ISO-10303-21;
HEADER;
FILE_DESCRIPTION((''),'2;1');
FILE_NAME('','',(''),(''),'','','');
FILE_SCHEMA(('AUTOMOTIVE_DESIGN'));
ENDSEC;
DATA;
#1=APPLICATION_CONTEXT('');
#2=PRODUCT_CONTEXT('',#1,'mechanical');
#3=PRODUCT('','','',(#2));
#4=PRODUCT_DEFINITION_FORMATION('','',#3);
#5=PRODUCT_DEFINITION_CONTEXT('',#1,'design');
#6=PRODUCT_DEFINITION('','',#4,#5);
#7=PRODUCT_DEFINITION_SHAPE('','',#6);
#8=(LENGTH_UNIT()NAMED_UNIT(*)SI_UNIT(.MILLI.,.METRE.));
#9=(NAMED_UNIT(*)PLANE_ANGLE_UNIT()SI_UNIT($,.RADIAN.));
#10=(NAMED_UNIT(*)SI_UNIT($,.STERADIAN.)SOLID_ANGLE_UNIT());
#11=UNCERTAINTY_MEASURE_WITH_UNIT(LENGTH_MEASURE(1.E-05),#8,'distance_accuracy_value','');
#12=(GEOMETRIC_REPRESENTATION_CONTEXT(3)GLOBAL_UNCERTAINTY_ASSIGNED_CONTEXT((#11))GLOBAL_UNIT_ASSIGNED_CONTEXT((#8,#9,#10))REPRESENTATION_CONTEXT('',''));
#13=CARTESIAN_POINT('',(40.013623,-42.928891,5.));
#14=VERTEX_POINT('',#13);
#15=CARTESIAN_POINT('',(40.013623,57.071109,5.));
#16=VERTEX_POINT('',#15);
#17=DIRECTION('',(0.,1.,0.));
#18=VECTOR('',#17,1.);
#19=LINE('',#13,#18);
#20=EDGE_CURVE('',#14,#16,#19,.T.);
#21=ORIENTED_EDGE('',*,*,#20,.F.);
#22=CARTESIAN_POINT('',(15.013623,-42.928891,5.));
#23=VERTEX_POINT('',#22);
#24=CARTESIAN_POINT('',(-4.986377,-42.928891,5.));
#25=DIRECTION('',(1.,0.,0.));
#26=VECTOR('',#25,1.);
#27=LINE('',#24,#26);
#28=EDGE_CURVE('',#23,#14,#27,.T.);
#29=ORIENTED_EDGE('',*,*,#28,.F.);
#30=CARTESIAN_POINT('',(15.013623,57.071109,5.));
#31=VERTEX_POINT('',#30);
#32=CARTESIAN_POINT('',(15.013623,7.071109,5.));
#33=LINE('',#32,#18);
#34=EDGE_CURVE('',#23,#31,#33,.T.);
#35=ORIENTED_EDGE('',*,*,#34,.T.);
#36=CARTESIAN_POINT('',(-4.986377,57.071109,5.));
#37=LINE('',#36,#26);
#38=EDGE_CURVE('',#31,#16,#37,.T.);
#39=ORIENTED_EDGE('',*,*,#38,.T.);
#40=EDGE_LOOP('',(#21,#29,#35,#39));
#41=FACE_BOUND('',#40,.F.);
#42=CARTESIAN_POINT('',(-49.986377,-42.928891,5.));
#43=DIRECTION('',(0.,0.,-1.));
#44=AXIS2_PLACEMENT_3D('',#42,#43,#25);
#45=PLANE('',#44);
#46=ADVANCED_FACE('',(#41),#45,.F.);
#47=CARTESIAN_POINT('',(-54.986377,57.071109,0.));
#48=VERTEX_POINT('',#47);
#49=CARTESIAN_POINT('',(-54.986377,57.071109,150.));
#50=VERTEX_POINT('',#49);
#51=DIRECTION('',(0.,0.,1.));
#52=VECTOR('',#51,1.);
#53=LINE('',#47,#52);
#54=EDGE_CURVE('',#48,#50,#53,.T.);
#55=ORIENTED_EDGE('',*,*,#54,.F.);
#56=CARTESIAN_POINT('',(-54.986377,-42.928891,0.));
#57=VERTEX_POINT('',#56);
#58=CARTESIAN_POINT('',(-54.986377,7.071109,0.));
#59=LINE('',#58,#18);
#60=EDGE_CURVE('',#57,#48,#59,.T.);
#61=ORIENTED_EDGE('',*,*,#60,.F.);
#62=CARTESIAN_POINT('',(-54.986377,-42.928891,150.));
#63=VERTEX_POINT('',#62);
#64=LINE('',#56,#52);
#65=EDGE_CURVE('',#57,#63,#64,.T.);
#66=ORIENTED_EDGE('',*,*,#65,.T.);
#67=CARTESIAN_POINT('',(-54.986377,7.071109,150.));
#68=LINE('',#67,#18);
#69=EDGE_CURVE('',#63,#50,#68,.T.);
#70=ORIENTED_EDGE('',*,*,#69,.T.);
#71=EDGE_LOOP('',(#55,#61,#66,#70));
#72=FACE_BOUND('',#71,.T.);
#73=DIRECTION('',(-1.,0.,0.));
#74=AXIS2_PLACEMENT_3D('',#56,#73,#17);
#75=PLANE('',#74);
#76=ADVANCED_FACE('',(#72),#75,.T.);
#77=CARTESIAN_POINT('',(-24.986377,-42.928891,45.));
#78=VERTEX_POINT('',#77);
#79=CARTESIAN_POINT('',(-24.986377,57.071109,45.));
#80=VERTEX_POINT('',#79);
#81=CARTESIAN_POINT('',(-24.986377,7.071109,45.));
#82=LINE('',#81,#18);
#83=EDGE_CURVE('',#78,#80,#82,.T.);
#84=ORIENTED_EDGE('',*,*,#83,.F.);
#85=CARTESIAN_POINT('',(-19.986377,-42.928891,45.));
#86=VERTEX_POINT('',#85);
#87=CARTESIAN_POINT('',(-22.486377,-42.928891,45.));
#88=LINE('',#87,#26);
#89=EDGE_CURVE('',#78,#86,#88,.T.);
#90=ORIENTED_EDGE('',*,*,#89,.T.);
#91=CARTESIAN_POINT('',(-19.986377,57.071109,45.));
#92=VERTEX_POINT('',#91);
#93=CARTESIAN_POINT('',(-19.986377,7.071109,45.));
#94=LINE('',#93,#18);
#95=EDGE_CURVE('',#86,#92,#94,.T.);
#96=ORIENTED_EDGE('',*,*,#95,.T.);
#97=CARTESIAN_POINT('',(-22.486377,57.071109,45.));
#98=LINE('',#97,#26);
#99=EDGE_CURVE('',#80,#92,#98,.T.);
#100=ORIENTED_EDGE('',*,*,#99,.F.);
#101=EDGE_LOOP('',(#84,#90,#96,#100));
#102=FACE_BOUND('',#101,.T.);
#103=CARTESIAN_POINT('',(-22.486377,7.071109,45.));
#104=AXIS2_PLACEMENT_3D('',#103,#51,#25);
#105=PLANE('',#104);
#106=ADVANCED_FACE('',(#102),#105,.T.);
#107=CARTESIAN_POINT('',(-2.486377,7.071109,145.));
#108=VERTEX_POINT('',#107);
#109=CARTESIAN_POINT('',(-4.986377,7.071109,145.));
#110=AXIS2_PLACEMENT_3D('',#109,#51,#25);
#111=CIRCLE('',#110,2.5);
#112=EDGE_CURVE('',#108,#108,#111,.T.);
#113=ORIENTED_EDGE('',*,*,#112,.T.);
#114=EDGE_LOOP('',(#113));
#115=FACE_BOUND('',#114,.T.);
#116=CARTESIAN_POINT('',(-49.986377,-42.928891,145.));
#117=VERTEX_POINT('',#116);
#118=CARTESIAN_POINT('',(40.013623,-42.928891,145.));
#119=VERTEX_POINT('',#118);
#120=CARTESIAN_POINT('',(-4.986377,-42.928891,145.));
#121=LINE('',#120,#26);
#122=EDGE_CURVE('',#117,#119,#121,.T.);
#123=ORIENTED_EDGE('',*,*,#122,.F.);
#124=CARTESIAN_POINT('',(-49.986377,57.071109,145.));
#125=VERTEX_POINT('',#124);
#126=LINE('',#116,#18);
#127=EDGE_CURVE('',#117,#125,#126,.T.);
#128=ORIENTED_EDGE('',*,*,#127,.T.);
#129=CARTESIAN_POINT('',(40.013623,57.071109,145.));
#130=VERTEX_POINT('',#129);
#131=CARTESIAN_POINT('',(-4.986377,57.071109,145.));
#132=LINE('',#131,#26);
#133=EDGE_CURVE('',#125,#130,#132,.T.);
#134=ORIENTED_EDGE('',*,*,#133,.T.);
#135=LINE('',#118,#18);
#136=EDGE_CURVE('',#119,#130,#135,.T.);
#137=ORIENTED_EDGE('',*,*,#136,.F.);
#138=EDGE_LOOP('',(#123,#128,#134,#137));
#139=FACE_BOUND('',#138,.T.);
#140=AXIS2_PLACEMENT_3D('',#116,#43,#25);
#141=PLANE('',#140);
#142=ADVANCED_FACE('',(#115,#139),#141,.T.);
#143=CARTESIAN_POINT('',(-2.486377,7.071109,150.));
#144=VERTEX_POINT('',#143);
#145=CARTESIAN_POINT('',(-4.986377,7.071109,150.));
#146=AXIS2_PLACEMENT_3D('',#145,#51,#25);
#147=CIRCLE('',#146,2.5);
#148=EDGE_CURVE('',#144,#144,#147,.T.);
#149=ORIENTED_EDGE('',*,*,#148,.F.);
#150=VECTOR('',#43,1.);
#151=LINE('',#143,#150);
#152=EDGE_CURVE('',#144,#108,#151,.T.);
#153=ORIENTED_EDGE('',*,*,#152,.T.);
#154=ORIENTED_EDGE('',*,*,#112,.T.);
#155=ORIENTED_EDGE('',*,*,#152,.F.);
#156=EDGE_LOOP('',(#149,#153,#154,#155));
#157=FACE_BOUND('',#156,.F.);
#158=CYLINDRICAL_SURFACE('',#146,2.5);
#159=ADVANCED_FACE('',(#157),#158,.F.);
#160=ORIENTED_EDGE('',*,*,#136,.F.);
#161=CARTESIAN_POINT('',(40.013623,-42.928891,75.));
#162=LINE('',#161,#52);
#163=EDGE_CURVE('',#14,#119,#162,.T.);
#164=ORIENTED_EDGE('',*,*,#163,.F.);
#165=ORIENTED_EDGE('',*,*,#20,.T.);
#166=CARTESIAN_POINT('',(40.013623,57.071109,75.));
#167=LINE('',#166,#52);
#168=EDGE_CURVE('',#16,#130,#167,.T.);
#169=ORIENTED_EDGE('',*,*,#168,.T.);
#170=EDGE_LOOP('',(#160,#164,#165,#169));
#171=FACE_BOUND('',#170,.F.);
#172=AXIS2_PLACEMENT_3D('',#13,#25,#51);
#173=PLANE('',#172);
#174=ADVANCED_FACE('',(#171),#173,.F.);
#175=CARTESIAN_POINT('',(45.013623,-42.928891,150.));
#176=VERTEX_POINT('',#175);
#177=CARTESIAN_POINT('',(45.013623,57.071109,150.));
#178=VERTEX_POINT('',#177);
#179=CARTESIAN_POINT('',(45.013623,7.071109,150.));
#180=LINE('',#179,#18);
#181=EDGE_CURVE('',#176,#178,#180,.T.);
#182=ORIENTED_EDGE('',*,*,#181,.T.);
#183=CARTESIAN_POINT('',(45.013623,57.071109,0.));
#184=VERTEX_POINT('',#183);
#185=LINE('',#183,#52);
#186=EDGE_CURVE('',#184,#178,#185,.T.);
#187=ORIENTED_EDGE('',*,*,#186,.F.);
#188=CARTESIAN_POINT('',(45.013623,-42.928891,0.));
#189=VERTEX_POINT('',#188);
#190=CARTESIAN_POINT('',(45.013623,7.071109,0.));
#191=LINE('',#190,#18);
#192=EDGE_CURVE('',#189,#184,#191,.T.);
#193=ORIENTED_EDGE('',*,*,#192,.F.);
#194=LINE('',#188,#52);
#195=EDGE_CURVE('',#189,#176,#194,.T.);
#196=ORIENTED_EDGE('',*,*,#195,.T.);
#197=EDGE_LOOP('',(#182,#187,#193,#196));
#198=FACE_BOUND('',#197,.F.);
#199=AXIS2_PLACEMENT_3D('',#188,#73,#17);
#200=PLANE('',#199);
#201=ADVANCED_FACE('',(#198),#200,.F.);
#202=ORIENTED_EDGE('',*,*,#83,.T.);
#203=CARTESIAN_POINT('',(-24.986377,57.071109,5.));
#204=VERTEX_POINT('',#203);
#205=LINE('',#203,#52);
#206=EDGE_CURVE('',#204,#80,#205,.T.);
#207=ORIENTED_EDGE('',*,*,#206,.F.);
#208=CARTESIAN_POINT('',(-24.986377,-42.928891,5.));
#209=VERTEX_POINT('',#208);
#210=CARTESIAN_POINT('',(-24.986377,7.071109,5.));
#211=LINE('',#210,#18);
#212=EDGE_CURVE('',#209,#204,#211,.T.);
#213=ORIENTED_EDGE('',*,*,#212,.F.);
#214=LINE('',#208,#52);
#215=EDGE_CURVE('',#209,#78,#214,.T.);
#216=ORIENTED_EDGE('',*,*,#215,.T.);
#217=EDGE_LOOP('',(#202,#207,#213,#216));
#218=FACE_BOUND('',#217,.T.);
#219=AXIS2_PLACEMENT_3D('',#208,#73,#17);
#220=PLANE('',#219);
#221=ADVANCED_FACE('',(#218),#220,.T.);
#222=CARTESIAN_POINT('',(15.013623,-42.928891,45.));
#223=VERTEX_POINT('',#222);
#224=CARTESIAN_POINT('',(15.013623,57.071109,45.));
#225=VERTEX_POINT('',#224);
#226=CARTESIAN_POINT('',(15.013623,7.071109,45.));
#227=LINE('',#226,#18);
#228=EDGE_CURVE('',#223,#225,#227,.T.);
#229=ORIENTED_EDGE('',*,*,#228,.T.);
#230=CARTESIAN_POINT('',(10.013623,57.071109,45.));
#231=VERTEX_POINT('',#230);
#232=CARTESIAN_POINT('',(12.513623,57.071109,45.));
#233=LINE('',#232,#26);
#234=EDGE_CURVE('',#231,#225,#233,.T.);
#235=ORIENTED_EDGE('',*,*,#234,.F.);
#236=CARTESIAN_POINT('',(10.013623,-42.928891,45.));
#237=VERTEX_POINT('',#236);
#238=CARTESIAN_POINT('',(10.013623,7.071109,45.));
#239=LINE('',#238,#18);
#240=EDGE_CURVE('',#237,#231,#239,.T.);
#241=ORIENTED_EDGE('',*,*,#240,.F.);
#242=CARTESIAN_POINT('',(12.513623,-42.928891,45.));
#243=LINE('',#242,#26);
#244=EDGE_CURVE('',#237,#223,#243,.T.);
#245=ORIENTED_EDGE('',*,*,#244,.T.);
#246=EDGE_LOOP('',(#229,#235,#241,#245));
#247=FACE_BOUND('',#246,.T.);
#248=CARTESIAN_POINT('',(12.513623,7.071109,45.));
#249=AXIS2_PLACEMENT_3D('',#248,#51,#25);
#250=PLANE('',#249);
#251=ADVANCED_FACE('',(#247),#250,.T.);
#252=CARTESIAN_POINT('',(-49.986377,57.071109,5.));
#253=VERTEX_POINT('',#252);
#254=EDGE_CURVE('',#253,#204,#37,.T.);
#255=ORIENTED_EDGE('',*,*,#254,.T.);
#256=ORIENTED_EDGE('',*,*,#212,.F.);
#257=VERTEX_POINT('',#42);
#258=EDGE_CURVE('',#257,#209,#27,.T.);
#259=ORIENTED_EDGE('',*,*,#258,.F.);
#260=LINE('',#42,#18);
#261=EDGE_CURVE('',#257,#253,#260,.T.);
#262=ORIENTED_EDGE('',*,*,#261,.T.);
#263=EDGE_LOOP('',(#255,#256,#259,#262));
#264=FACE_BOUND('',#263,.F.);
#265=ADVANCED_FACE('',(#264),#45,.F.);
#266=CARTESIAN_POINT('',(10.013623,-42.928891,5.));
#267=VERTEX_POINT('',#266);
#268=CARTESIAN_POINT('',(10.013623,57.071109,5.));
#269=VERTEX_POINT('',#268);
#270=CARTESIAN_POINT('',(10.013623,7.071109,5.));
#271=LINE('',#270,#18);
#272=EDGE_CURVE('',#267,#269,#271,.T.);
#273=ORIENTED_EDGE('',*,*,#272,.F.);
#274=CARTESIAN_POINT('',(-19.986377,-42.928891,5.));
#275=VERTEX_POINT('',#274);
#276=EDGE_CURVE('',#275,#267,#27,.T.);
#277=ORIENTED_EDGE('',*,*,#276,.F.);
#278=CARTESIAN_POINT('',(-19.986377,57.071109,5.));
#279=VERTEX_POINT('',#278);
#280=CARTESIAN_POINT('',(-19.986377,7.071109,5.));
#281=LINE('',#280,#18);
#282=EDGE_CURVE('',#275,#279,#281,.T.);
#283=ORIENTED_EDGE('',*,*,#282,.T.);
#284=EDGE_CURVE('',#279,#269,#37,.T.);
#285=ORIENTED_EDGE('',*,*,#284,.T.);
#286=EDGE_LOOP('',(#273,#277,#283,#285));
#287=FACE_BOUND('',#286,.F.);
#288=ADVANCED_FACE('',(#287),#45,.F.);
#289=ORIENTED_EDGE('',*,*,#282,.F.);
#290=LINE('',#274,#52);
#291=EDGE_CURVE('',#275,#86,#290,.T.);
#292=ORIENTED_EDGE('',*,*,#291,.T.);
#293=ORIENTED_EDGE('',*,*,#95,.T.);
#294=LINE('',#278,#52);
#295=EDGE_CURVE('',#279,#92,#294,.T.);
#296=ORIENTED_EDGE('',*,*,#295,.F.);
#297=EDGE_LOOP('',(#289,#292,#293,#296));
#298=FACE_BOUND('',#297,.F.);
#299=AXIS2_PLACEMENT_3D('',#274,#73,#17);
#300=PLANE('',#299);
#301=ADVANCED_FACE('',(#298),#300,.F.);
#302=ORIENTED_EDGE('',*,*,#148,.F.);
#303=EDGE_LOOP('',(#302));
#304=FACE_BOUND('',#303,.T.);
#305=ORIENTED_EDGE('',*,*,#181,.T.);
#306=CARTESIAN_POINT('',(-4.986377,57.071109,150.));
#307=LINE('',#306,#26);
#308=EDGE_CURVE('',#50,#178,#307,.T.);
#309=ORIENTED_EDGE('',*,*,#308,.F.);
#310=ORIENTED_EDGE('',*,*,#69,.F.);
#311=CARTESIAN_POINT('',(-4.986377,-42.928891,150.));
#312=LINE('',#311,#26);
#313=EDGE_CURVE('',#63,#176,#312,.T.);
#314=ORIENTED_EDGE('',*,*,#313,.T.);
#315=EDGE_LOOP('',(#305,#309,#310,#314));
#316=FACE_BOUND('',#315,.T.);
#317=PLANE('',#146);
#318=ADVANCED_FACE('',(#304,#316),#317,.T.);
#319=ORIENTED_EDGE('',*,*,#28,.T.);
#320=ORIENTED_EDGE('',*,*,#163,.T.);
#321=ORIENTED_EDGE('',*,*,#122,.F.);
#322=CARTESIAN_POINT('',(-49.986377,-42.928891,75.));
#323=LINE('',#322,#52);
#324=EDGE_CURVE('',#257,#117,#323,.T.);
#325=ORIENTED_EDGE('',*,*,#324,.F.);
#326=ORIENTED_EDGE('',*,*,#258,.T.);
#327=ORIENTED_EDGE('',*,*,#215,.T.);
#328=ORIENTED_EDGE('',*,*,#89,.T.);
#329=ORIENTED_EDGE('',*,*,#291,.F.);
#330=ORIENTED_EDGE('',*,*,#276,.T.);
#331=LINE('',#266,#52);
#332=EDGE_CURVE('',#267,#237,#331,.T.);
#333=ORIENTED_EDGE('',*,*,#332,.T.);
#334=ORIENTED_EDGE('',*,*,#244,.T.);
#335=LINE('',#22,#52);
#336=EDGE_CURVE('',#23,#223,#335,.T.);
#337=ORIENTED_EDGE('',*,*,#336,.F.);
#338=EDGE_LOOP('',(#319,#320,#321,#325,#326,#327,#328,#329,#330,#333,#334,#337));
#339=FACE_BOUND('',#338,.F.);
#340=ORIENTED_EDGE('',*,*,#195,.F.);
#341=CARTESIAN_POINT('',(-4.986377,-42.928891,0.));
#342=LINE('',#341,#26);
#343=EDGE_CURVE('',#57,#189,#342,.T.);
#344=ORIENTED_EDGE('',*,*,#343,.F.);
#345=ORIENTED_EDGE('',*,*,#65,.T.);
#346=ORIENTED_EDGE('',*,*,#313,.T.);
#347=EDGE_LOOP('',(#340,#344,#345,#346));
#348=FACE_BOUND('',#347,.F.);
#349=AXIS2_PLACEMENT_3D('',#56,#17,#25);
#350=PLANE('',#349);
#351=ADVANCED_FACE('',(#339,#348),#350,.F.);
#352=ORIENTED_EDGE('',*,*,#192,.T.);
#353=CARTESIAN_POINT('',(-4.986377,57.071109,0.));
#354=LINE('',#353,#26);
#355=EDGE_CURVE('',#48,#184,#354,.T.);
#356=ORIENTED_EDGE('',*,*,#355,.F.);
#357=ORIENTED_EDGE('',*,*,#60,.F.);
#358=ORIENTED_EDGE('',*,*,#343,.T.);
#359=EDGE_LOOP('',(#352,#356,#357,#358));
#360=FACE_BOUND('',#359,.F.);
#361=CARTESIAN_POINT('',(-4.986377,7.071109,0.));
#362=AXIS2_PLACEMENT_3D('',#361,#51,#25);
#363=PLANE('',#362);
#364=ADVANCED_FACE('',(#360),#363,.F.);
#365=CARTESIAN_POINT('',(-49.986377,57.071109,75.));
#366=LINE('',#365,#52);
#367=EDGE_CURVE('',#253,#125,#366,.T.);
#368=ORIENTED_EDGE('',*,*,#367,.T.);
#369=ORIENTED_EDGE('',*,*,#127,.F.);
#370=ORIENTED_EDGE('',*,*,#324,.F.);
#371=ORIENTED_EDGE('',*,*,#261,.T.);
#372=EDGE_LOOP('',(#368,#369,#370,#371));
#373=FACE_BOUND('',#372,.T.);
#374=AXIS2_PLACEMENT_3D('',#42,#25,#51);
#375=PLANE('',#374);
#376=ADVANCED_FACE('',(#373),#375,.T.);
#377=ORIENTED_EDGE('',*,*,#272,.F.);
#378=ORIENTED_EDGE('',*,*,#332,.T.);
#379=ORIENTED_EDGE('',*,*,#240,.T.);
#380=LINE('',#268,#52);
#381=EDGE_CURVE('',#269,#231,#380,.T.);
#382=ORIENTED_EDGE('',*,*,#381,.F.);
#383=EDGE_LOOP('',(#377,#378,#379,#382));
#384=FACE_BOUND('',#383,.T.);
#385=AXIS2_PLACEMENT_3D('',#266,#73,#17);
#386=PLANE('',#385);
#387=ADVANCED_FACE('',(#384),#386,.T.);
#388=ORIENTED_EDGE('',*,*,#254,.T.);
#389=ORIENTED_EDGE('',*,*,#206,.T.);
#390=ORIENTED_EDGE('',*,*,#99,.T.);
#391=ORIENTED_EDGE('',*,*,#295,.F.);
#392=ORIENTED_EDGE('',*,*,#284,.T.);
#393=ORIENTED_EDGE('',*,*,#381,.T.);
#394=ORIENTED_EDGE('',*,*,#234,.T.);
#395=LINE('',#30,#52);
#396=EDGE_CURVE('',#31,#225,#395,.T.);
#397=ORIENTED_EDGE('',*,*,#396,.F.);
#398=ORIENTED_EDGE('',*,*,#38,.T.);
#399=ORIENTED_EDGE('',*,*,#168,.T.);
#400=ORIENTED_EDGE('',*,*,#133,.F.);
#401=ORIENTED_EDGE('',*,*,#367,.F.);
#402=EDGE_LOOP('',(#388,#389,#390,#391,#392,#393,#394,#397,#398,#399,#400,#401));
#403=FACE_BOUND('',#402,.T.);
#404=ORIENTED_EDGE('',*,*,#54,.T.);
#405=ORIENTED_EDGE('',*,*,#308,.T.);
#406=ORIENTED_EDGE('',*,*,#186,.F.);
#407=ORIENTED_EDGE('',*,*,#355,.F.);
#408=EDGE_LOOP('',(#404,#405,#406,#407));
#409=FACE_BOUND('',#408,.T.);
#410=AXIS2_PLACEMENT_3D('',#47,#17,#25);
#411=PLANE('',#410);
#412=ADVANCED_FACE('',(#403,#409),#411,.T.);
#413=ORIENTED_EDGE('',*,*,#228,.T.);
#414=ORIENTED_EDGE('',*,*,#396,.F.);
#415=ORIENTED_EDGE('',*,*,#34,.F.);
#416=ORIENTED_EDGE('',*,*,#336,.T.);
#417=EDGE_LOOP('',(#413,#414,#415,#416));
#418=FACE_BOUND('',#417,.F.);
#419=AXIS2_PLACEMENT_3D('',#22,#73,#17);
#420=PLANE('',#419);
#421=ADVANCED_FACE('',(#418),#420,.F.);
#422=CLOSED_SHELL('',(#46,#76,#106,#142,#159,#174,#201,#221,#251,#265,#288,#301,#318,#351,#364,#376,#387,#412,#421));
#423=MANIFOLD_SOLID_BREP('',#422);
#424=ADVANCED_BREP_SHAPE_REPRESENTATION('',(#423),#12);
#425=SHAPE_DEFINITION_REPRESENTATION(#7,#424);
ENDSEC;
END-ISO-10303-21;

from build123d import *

# Parameters (mm, degrees)
F0_W     = 100
F0_H     = 100
F1_DEPTH = 150
F2_W     = 90
F2_H     = 140
F3_DEPTH = 100
F4_R     = 2.5
F5_DEPTH = 50
F6_W     = 5
F6_H     = 100
F7_DEPTH = 40


with BuildPart() as f1:
    # F0 (on Top) → F1 (new body)
    with BuildSketch(Plane.XY):
        with Locations((-4.986377, 7.071109)):
            Rectangle(F0_W, F0_H)
    extrude(amount=F1_DEPTH)

    # F2 (on face) → F3 (cut)
    with BuildSketch(Plane.XZ.offset(42.928891)):
        with Locations((-4.986377, 75)):
            Rectangle(F2_W, F2_H)
    extrude(amount=-F3_DEPTH, mode=Mode.SUBTRACT)

    # F4 (on face) → F5 (cut)
    with BuildSketch(Plane.XY.offset(150)):
        with Locations((-4.986377, 7.071109)):
            Circle(F4_R)
    extrude(amount=-F5_DEPTH, mode=Mode.SUBTRACT)

    # F6 (on face) → F7 (join)
    with BuildSketch(Plane.XY.offset(5)):
        with Locations((-22.486377, 7.071109)):
            Rectangle(F6_W, F6_H)
        with Locations((12.513623, 7.071109)):
            Rectangle(F6_W, F6_H)
    extrude(amount=F7_DEPTH)


solid = f1.part
